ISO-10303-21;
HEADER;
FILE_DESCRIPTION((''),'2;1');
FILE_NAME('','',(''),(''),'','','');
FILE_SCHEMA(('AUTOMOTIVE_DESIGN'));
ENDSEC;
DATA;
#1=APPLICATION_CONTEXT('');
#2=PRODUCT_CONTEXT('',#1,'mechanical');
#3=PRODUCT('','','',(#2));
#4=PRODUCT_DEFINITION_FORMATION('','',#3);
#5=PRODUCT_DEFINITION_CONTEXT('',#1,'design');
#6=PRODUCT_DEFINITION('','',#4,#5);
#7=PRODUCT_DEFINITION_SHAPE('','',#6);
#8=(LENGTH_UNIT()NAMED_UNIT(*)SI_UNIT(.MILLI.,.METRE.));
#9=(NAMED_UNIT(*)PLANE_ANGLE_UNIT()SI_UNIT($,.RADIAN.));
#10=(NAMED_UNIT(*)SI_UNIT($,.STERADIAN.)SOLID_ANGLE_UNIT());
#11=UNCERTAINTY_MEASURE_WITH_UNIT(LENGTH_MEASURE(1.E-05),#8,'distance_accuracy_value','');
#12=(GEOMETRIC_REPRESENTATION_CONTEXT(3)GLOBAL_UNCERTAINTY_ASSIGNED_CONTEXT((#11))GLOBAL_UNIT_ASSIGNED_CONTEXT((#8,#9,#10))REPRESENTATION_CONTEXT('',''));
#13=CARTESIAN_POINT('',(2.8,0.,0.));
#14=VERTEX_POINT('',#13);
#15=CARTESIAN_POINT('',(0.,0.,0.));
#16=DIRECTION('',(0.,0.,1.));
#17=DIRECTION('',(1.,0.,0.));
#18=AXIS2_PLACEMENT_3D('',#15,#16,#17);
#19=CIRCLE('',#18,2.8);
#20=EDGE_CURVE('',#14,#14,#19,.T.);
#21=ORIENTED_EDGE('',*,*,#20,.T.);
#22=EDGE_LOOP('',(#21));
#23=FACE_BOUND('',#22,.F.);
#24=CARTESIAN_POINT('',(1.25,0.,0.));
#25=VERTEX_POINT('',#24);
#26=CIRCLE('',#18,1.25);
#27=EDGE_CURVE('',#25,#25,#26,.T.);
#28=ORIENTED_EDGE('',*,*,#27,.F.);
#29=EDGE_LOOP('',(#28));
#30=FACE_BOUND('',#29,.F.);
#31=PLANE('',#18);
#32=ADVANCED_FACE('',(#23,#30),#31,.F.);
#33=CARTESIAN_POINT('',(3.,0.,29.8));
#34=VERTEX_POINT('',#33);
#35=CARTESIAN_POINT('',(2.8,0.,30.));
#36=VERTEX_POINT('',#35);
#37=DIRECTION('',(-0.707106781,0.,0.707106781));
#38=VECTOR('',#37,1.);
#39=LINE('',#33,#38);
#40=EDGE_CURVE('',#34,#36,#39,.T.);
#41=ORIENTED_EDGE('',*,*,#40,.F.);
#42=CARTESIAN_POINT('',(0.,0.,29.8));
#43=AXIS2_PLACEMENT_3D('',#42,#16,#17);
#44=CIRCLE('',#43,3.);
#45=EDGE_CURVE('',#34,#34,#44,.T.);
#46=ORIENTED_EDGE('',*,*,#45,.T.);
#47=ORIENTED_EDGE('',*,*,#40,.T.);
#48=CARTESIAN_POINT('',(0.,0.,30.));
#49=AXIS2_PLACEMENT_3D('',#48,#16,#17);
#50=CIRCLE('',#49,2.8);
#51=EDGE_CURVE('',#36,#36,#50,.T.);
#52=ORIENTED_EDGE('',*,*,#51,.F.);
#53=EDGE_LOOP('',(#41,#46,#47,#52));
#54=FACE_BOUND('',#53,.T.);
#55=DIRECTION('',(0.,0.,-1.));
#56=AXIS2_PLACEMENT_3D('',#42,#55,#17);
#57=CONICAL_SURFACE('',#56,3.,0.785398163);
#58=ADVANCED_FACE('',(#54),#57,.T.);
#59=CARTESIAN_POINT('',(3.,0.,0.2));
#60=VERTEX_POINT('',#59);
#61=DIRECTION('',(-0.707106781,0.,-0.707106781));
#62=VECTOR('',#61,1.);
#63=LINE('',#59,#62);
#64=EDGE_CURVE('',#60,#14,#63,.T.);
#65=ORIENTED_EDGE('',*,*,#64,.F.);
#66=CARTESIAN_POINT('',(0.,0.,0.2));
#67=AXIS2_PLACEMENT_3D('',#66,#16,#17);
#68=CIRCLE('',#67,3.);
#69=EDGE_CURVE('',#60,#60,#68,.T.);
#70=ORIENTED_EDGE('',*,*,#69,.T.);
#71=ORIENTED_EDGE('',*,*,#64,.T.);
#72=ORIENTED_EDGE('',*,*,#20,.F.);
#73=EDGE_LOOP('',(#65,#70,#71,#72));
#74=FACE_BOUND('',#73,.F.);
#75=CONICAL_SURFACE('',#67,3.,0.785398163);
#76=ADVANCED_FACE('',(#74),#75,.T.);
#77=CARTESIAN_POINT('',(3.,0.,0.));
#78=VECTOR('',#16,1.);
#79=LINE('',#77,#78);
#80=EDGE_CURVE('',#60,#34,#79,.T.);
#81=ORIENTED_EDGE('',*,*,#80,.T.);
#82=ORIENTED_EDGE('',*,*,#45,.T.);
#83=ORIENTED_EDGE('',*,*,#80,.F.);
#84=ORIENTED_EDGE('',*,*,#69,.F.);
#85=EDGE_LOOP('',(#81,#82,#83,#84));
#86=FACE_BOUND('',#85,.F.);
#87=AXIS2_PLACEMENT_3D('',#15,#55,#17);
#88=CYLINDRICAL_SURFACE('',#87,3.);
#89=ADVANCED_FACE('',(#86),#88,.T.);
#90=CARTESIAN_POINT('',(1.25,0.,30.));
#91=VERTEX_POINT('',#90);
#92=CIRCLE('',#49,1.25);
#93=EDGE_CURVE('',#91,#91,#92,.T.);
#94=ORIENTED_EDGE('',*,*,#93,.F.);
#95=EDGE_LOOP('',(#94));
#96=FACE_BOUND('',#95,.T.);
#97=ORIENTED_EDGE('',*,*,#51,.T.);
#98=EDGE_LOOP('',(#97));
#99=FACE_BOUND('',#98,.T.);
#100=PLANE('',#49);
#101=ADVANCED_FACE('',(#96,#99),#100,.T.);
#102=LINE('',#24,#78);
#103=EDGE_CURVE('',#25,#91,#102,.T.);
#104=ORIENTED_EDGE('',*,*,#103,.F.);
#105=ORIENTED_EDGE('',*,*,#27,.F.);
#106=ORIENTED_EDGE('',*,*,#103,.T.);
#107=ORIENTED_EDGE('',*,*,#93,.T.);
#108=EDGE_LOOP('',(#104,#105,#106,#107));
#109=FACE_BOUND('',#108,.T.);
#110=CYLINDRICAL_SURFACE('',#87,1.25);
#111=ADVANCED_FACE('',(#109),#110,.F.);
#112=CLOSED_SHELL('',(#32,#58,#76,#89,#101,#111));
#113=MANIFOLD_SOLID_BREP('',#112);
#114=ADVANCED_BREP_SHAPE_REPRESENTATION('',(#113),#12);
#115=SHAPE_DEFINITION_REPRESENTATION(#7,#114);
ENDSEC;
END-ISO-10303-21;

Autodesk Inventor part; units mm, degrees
ref_plane "YZ Plane" through (0, 0, 0) normal (1, 0, 0) x (0, 1, 0)
ref_plane "XZ Plane" through (0, 0, 0) normal (0, 1, 0) x (-1, 0, 0)
ref_plane "XY Plane" through (0, 0, 0) normal (0, 0, 1) x (1, 0, 0)
sketch "スケッチ1" plane through (0, 0, 0) normal (0, 0, 1) x (1, 0, 0)
  circle A0 centre (0, 0) radius 3
  circle A1 centre (0, 0) radius 1.25
  dimension "d0" = 6
  dimension "d1" = 2.5
extrude "押し出し1" add sketch "スケッチ1" along normal blind 30
chamfer "面取り1" distance 0.2 angle 45 2 edges at (-3, 0, 30) (-3, 0, 0)
properties part number "軸_6-30" material "アルミニウム 6061"
